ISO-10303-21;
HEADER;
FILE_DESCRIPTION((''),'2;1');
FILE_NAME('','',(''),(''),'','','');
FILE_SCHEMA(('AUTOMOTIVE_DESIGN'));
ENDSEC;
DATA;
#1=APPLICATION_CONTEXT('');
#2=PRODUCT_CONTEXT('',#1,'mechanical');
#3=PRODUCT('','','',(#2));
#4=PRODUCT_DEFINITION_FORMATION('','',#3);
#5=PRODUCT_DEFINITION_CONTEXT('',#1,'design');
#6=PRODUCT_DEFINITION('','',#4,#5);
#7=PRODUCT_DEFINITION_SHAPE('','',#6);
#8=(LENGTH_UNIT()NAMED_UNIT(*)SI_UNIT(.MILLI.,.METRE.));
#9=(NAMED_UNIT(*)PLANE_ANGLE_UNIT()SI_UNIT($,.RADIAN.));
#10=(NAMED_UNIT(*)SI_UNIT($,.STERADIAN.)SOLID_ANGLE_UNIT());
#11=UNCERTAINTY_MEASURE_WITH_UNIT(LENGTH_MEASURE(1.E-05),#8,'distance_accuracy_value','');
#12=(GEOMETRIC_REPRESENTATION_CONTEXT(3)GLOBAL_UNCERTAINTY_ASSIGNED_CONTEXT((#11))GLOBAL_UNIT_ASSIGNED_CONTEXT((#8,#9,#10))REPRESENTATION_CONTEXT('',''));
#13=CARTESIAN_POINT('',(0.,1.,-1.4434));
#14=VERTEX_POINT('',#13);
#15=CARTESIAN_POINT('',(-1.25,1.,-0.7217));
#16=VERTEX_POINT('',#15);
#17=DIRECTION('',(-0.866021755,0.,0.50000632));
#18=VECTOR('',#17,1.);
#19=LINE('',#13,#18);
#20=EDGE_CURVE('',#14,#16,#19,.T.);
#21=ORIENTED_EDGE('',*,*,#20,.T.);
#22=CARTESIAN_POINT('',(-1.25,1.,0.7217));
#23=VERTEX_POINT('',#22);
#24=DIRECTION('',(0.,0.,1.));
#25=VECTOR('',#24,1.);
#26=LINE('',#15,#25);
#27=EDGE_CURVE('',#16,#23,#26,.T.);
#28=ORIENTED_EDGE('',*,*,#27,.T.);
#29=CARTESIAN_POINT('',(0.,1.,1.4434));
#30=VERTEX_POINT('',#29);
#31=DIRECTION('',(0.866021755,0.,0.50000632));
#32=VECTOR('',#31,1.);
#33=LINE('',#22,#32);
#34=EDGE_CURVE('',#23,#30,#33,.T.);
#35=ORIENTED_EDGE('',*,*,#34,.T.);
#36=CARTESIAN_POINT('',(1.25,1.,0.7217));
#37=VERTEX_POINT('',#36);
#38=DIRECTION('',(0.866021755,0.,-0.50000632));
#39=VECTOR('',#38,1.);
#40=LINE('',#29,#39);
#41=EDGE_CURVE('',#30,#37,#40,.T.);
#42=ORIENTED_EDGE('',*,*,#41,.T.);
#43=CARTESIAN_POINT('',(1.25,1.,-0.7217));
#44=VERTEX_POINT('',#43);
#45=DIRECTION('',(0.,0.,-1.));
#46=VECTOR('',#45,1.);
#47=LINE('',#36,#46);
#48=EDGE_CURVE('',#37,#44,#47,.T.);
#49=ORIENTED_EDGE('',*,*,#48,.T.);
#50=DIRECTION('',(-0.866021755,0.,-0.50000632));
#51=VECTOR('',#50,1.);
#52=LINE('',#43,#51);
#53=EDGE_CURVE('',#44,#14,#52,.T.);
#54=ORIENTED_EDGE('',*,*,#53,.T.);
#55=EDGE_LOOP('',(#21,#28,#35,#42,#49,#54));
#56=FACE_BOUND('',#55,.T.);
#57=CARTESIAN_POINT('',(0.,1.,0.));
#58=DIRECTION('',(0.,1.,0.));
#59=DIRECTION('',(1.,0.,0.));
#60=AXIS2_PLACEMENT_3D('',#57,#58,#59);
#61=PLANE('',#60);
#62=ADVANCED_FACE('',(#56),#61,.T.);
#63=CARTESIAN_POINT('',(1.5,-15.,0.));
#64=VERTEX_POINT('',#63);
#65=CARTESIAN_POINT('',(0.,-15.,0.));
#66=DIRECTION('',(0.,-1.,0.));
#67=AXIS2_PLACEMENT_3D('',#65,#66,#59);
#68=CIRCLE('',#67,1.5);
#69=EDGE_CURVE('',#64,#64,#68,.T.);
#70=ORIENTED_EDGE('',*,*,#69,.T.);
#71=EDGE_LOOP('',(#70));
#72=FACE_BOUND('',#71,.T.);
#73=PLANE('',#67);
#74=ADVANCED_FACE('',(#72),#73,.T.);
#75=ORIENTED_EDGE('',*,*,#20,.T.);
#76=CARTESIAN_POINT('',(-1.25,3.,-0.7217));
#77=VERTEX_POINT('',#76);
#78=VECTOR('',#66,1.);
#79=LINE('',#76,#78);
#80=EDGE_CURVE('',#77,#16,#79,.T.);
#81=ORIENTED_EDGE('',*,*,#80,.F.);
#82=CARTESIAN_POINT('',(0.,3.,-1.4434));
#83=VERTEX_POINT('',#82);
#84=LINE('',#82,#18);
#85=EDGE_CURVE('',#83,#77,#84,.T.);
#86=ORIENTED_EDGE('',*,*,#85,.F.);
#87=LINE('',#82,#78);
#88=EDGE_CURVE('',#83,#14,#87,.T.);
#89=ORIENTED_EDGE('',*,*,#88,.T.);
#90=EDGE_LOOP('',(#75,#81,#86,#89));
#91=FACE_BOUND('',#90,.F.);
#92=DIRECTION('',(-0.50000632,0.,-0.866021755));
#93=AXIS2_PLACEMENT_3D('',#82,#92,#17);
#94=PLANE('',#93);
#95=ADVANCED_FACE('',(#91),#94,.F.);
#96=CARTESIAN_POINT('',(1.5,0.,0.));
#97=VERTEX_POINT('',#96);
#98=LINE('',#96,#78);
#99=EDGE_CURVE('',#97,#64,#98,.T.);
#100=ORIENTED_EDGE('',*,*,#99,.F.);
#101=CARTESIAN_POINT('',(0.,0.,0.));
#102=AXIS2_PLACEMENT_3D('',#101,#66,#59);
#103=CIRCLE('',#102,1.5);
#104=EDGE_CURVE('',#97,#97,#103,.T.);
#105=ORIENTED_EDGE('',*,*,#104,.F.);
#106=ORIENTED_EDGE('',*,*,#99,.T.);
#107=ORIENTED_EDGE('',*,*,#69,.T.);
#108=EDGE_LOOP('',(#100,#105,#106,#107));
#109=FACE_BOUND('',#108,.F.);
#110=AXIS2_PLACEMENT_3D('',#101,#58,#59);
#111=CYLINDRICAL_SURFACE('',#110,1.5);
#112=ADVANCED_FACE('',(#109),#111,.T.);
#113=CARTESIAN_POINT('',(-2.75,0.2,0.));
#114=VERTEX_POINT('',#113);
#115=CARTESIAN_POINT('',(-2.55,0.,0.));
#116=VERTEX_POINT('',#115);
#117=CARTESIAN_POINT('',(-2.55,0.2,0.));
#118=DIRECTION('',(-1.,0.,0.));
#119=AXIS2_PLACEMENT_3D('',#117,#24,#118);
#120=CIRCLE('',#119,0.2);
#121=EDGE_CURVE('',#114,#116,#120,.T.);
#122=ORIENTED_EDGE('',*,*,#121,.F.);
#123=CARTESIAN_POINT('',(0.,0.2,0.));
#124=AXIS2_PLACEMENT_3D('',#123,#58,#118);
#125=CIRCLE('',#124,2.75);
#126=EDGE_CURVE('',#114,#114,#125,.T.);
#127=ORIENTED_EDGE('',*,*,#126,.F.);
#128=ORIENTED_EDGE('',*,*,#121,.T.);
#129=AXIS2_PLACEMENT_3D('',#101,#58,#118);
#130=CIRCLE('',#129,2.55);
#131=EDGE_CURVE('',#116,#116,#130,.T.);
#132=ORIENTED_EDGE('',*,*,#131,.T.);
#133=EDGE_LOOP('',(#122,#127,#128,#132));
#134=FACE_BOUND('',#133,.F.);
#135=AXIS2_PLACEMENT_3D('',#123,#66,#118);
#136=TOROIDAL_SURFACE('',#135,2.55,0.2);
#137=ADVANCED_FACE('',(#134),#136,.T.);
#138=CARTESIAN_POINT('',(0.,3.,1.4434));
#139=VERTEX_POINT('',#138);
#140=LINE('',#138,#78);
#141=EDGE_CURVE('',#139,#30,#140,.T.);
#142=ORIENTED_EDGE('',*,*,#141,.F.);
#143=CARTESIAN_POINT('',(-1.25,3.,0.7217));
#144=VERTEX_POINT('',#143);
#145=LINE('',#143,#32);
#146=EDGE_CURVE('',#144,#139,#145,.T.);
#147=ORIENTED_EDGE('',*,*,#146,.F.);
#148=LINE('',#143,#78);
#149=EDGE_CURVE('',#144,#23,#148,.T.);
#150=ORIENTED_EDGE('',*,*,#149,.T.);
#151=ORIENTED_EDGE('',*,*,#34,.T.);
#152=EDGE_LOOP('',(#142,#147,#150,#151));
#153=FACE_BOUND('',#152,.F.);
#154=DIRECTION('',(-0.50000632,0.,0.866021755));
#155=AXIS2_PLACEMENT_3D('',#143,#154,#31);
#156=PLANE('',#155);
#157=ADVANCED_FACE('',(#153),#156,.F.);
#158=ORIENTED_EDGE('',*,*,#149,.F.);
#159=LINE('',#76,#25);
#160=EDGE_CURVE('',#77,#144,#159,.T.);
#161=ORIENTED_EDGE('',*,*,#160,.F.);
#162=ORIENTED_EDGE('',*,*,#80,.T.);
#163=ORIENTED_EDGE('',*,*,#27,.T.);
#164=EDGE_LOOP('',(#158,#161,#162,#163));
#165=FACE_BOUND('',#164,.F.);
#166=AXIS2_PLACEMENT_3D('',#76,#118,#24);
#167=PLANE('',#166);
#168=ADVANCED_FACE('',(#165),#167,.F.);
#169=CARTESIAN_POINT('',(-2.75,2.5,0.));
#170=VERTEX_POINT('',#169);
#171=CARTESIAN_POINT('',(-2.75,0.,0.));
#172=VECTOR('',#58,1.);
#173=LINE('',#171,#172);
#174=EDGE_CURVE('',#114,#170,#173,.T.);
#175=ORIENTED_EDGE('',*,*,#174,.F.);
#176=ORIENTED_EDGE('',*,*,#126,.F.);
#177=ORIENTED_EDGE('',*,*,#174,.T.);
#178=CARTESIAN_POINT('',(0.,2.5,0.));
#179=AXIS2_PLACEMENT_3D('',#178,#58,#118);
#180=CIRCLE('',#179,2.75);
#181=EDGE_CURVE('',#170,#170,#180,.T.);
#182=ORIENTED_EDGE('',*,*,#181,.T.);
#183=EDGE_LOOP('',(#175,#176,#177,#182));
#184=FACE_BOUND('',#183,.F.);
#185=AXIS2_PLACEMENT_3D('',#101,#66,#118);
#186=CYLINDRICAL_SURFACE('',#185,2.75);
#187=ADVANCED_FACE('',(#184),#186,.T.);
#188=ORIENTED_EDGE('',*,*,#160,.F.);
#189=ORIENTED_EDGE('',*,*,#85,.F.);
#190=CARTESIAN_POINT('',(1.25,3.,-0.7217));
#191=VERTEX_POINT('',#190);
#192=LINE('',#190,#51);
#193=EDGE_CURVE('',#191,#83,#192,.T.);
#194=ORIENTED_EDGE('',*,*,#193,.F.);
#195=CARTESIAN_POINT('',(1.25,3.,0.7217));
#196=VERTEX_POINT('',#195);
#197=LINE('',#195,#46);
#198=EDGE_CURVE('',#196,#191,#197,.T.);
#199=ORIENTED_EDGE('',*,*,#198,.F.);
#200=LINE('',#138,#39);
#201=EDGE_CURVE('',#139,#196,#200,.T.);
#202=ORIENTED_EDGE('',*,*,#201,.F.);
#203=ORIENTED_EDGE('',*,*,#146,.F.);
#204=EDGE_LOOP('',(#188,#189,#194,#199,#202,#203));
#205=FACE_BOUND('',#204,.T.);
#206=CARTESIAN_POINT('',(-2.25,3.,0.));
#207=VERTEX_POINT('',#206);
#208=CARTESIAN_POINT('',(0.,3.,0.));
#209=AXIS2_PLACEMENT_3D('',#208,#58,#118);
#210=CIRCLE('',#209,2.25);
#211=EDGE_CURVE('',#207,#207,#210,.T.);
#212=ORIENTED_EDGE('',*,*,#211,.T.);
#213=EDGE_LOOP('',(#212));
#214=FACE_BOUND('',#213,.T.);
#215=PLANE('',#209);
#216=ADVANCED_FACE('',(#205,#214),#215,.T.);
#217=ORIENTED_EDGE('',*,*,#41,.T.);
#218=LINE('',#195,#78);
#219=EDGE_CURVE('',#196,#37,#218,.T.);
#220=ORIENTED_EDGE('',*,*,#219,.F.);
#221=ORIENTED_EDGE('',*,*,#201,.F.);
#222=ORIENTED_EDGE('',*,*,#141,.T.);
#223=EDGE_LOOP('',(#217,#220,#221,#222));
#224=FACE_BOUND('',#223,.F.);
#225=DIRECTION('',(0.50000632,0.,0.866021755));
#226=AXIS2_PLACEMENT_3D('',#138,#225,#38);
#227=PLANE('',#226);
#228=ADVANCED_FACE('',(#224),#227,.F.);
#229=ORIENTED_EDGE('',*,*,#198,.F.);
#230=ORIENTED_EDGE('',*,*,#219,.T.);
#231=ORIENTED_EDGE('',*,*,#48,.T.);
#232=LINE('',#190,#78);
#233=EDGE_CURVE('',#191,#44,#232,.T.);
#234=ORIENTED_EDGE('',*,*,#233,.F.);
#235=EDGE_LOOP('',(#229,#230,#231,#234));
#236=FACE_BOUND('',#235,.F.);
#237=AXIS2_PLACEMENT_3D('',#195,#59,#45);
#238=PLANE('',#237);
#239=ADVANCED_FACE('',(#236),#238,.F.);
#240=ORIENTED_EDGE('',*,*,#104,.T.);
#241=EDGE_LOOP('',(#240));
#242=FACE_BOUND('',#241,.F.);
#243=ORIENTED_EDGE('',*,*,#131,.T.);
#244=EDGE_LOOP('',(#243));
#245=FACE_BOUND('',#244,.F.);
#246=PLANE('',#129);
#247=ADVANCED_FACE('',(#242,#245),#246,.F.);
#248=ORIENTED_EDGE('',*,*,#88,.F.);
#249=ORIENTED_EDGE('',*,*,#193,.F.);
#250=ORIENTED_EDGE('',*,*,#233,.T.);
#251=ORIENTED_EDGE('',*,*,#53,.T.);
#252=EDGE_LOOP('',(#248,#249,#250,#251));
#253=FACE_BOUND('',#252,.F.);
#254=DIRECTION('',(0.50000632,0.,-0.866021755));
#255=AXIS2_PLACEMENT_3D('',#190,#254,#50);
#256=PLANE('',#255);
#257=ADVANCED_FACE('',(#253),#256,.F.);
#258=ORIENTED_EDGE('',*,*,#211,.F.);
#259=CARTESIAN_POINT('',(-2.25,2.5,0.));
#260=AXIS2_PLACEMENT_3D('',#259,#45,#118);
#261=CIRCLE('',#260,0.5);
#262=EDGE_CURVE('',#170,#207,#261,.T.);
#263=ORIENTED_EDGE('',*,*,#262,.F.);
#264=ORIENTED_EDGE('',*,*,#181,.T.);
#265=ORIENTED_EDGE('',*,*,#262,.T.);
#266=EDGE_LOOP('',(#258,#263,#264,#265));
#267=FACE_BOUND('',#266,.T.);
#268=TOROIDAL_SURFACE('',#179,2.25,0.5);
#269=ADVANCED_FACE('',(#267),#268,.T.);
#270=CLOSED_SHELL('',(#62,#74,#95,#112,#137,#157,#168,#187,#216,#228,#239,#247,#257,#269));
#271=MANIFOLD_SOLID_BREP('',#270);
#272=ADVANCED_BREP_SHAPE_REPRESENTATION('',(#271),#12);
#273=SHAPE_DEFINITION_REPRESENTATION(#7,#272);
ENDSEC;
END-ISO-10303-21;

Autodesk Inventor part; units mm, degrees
ref_plane "YZ Plane" through (0, 0, 0) normal (1, 0, 0) x (0, 1, 0)
ref_plane "XZ Plane" through (0, 0, 0) normal (0, 1, 0) x (-1, 0, 0)
ref_plane "XY Plane" through (0, 0, 0) normal (0, 0, 1) x (1, 0, 0)
sketch "スケッチ1" plane through (0, 0, 0) normal (0, 1, 0) x (-1, 0, 0)
  circle A0 centre (0, 0) radius 2.75
  dimension "d0" = 5.5
extrude "押し出し1" add sketch "スケッチ1" along normal blind 3
sketch "スケッチ2" plane through (0, 0, 0) normal (0, -1, 0) x (1, 0, 0)
  circle A0 centre (0, 0) radius 1.5
  dimension "d3" = 3
extrude "押し出し2" add sketch "スケッチ2" along normal blind 15
fillet "フィレット1" radius 0.5 1 edges at (2.75, 3, 0)
fillet "フィレット1" radius 0.2 1 edges at (2.75, 0, 0)
sketch "スケッチ3" plane through (0, 3, 0) normal (0, 1, 0) x (1, 0, 0)
  line L0 (0, 1.4434) -> (-1.25, 0.7217)
  line L1 (-1.25, 0.7217) -> (-1.25, -0.7217)
  line L2 (-1.25, -0.7217) -> (0, -1.4434)
  line L3 (0, -1.4434) -> (1.25, -0.7217)
  line L4 (1.25, -0.7217) -> (1.25, 0.7217)
  line L5 (1.25, 0.7217) -> (0, 1.4434)
  line L6 (0, 1.4434) -> (0, -1.4434) construction
  circle A0 centre (0, 0) radius 1.4434 construction
  dimension "d12" = 2.5
extrude "押し出し3" cut sketch "スケッチ3" against normal blind 2
thread "ねじ1" size "M3x0.5" class "6g" standard "ANSI Metric M Profile" full length
properties part number "M3-CapScrew"
